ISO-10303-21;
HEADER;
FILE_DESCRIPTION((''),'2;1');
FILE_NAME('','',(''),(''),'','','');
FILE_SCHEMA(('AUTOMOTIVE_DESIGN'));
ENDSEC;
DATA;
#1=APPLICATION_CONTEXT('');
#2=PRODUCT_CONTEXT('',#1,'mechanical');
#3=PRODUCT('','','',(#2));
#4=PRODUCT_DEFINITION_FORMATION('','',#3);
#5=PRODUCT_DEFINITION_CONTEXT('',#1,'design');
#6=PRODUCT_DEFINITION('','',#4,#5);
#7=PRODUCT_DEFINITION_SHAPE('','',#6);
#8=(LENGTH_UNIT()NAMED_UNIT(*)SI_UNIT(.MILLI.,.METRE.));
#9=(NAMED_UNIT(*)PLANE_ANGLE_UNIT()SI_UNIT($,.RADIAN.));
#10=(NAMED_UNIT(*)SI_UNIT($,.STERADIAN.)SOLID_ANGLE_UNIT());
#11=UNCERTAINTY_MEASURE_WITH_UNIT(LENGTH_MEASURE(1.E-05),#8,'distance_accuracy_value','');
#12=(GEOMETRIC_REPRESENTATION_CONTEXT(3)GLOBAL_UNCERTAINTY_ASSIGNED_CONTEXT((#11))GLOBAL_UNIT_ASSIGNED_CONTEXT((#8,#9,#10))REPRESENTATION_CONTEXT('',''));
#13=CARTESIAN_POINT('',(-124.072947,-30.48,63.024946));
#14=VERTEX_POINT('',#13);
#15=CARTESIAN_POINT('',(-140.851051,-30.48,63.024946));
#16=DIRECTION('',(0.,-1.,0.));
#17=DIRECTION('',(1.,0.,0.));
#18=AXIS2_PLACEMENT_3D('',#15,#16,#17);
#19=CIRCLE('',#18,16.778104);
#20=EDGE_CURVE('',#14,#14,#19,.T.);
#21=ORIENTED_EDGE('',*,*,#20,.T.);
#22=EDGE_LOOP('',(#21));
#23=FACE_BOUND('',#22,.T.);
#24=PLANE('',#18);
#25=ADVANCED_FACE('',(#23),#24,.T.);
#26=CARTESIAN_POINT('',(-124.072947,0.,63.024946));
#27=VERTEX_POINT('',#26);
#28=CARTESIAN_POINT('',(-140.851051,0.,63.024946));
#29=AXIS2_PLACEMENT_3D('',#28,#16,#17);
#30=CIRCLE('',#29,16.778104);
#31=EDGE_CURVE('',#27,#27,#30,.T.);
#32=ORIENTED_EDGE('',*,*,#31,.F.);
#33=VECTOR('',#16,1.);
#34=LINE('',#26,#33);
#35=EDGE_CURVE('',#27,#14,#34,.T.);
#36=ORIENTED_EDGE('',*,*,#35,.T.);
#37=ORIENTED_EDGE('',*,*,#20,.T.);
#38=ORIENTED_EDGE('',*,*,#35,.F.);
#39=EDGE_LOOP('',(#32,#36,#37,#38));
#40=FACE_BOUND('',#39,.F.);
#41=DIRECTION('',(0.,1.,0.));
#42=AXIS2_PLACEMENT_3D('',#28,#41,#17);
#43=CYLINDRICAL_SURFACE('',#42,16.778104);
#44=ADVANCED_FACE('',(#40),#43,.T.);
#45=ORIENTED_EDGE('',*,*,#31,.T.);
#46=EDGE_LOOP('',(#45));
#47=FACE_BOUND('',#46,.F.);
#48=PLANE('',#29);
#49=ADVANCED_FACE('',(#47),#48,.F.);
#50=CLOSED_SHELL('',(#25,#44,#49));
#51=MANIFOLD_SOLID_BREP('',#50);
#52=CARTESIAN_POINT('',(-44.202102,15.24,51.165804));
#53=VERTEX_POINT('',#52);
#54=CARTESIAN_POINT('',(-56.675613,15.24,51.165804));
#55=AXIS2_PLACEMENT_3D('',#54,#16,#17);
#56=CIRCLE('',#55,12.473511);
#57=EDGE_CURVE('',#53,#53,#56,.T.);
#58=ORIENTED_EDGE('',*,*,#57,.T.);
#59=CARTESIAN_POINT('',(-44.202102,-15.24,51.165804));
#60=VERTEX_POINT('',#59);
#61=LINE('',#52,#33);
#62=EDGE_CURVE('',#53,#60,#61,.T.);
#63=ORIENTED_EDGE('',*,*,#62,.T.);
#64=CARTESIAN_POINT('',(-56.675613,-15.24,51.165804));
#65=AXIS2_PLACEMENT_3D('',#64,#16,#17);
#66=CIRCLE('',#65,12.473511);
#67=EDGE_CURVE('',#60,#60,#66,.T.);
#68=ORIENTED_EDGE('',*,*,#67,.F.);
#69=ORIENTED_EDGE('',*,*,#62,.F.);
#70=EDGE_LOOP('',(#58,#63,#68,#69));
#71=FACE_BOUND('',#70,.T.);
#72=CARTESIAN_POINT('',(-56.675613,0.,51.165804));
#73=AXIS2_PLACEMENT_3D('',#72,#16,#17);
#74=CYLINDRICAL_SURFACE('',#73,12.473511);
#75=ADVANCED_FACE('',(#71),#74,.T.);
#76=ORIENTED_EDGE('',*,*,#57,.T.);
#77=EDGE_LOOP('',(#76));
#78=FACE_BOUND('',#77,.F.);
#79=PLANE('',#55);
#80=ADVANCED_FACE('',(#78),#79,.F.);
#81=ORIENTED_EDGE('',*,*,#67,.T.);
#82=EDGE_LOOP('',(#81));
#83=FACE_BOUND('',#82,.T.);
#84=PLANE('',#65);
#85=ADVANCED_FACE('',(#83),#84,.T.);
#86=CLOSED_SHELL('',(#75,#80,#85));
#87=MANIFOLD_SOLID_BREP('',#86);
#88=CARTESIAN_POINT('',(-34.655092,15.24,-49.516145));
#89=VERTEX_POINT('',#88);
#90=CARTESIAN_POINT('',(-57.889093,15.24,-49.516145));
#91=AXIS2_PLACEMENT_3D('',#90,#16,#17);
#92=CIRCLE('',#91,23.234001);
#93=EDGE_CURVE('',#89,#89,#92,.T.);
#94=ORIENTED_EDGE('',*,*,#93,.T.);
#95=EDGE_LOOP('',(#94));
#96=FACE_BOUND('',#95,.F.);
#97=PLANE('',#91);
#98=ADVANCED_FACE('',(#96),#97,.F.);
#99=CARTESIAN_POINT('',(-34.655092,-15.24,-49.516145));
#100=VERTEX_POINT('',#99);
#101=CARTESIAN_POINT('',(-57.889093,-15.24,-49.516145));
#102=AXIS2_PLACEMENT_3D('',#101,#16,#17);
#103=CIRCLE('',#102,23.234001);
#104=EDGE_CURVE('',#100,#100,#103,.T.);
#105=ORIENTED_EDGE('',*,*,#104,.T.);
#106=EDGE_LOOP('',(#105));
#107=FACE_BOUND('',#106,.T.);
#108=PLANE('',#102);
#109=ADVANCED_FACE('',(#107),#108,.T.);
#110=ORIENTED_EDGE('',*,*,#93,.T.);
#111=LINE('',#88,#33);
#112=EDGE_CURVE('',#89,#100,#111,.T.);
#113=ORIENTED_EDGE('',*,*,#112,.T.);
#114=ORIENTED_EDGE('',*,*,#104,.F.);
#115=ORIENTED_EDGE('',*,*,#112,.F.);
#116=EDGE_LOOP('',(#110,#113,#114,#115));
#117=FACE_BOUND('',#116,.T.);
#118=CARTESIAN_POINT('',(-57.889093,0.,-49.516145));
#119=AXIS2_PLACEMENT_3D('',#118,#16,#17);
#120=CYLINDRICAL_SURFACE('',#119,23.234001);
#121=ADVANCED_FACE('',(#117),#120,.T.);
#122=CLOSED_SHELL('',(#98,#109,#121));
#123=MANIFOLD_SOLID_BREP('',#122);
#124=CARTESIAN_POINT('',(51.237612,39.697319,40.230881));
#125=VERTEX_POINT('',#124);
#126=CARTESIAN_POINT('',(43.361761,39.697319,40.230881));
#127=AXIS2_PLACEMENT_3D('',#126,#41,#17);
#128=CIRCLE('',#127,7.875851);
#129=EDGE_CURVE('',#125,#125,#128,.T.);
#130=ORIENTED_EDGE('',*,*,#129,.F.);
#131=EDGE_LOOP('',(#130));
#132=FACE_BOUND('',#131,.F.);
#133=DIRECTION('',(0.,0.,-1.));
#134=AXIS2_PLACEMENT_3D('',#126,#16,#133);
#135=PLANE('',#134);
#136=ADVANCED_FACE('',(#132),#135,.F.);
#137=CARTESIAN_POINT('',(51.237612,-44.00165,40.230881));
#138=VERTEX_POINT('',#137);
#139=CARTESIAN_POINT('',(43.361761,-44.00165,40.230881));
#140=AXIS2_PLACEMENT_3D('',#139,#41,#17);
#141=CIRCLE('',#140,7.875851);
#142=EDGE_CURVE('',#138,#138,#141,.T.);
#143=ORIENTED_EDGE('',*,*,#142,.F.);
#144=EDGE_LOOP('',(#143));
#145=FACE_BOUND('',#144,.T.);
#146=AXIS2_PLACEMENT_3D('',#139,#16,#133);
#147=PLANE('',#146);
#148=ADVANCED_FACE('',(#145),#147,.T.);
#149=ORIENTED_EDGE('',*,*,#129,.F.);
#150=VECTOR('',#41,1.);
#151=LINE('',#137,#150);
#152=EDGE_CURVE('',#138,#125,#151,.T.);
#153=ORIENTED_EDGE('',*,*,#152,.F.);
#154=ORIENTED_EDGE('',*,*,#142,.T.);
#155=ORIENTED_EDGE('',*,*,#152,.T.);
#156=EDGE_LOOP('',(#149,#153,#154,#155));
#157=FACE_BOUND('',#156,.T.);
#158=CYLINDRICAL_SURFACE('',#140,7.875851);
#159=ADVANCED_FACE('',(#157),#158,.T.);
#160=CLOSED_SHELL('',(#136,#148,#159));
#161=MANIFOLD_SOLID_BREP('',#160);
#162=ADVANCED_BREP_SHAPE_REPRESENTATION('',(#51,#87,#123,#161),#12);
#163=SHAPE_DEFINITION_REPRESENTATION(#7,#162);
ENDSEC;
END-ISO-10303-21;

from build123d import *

# Parameters (mm, degrees)
F0_R     = 12.473511
F1_DEPTH = 15.24
F0_R_2   = 7.875851
F4_R     = 16.778104
F5_DEPTH = 30.48
F6_R     = 23.234001
F7_DEPTH = 15.24


with BuildPart() as f1:
    # F0 (on Front) → F1 (new body, symmetric)
    with BuildSketch(Plane.XZ):
        with Locations((-56.675613, 51.165804)):
            Circle(F0_R)
    extrude(amount=F1_DEPTH, both=True)


with BuildPart() as f3:
    # F3: sweep along a path in F2
    with BuildLine(Plane.XY) as f3_path:
        Line((-15.159276, -44.00165), (-15.159276, 39.697319))
    # F0 (on Front) → F3 (sweep)
    with BuildSketch(Plane.XZ):
        with Locations((43.361761, 40.230881)):
            Circle(F0_R_2)
    sweep(path=f3_path.line)


with BuildPart() as f5:
    # F4 (on Front) → F5 (new body)
    with BuildSketch(Plane.XZ):
        with Locations((-140.851051, 63.024946)):
            Circle(F4_R)
    extrude(amount=F5_DEPTH)


with BuildPart() as f7:
    # F6 (on Front) → F7 (new body, symmetric)
    with BuildSketch(Plane.XZ):
        with Locations((-57.889093, -49.516145)):
            Circle(F6_R)
    extrude(amount=F7_DEPTH, both=True)


solid = Compound([f1.part, f3.part, f5.part, f7.part])
